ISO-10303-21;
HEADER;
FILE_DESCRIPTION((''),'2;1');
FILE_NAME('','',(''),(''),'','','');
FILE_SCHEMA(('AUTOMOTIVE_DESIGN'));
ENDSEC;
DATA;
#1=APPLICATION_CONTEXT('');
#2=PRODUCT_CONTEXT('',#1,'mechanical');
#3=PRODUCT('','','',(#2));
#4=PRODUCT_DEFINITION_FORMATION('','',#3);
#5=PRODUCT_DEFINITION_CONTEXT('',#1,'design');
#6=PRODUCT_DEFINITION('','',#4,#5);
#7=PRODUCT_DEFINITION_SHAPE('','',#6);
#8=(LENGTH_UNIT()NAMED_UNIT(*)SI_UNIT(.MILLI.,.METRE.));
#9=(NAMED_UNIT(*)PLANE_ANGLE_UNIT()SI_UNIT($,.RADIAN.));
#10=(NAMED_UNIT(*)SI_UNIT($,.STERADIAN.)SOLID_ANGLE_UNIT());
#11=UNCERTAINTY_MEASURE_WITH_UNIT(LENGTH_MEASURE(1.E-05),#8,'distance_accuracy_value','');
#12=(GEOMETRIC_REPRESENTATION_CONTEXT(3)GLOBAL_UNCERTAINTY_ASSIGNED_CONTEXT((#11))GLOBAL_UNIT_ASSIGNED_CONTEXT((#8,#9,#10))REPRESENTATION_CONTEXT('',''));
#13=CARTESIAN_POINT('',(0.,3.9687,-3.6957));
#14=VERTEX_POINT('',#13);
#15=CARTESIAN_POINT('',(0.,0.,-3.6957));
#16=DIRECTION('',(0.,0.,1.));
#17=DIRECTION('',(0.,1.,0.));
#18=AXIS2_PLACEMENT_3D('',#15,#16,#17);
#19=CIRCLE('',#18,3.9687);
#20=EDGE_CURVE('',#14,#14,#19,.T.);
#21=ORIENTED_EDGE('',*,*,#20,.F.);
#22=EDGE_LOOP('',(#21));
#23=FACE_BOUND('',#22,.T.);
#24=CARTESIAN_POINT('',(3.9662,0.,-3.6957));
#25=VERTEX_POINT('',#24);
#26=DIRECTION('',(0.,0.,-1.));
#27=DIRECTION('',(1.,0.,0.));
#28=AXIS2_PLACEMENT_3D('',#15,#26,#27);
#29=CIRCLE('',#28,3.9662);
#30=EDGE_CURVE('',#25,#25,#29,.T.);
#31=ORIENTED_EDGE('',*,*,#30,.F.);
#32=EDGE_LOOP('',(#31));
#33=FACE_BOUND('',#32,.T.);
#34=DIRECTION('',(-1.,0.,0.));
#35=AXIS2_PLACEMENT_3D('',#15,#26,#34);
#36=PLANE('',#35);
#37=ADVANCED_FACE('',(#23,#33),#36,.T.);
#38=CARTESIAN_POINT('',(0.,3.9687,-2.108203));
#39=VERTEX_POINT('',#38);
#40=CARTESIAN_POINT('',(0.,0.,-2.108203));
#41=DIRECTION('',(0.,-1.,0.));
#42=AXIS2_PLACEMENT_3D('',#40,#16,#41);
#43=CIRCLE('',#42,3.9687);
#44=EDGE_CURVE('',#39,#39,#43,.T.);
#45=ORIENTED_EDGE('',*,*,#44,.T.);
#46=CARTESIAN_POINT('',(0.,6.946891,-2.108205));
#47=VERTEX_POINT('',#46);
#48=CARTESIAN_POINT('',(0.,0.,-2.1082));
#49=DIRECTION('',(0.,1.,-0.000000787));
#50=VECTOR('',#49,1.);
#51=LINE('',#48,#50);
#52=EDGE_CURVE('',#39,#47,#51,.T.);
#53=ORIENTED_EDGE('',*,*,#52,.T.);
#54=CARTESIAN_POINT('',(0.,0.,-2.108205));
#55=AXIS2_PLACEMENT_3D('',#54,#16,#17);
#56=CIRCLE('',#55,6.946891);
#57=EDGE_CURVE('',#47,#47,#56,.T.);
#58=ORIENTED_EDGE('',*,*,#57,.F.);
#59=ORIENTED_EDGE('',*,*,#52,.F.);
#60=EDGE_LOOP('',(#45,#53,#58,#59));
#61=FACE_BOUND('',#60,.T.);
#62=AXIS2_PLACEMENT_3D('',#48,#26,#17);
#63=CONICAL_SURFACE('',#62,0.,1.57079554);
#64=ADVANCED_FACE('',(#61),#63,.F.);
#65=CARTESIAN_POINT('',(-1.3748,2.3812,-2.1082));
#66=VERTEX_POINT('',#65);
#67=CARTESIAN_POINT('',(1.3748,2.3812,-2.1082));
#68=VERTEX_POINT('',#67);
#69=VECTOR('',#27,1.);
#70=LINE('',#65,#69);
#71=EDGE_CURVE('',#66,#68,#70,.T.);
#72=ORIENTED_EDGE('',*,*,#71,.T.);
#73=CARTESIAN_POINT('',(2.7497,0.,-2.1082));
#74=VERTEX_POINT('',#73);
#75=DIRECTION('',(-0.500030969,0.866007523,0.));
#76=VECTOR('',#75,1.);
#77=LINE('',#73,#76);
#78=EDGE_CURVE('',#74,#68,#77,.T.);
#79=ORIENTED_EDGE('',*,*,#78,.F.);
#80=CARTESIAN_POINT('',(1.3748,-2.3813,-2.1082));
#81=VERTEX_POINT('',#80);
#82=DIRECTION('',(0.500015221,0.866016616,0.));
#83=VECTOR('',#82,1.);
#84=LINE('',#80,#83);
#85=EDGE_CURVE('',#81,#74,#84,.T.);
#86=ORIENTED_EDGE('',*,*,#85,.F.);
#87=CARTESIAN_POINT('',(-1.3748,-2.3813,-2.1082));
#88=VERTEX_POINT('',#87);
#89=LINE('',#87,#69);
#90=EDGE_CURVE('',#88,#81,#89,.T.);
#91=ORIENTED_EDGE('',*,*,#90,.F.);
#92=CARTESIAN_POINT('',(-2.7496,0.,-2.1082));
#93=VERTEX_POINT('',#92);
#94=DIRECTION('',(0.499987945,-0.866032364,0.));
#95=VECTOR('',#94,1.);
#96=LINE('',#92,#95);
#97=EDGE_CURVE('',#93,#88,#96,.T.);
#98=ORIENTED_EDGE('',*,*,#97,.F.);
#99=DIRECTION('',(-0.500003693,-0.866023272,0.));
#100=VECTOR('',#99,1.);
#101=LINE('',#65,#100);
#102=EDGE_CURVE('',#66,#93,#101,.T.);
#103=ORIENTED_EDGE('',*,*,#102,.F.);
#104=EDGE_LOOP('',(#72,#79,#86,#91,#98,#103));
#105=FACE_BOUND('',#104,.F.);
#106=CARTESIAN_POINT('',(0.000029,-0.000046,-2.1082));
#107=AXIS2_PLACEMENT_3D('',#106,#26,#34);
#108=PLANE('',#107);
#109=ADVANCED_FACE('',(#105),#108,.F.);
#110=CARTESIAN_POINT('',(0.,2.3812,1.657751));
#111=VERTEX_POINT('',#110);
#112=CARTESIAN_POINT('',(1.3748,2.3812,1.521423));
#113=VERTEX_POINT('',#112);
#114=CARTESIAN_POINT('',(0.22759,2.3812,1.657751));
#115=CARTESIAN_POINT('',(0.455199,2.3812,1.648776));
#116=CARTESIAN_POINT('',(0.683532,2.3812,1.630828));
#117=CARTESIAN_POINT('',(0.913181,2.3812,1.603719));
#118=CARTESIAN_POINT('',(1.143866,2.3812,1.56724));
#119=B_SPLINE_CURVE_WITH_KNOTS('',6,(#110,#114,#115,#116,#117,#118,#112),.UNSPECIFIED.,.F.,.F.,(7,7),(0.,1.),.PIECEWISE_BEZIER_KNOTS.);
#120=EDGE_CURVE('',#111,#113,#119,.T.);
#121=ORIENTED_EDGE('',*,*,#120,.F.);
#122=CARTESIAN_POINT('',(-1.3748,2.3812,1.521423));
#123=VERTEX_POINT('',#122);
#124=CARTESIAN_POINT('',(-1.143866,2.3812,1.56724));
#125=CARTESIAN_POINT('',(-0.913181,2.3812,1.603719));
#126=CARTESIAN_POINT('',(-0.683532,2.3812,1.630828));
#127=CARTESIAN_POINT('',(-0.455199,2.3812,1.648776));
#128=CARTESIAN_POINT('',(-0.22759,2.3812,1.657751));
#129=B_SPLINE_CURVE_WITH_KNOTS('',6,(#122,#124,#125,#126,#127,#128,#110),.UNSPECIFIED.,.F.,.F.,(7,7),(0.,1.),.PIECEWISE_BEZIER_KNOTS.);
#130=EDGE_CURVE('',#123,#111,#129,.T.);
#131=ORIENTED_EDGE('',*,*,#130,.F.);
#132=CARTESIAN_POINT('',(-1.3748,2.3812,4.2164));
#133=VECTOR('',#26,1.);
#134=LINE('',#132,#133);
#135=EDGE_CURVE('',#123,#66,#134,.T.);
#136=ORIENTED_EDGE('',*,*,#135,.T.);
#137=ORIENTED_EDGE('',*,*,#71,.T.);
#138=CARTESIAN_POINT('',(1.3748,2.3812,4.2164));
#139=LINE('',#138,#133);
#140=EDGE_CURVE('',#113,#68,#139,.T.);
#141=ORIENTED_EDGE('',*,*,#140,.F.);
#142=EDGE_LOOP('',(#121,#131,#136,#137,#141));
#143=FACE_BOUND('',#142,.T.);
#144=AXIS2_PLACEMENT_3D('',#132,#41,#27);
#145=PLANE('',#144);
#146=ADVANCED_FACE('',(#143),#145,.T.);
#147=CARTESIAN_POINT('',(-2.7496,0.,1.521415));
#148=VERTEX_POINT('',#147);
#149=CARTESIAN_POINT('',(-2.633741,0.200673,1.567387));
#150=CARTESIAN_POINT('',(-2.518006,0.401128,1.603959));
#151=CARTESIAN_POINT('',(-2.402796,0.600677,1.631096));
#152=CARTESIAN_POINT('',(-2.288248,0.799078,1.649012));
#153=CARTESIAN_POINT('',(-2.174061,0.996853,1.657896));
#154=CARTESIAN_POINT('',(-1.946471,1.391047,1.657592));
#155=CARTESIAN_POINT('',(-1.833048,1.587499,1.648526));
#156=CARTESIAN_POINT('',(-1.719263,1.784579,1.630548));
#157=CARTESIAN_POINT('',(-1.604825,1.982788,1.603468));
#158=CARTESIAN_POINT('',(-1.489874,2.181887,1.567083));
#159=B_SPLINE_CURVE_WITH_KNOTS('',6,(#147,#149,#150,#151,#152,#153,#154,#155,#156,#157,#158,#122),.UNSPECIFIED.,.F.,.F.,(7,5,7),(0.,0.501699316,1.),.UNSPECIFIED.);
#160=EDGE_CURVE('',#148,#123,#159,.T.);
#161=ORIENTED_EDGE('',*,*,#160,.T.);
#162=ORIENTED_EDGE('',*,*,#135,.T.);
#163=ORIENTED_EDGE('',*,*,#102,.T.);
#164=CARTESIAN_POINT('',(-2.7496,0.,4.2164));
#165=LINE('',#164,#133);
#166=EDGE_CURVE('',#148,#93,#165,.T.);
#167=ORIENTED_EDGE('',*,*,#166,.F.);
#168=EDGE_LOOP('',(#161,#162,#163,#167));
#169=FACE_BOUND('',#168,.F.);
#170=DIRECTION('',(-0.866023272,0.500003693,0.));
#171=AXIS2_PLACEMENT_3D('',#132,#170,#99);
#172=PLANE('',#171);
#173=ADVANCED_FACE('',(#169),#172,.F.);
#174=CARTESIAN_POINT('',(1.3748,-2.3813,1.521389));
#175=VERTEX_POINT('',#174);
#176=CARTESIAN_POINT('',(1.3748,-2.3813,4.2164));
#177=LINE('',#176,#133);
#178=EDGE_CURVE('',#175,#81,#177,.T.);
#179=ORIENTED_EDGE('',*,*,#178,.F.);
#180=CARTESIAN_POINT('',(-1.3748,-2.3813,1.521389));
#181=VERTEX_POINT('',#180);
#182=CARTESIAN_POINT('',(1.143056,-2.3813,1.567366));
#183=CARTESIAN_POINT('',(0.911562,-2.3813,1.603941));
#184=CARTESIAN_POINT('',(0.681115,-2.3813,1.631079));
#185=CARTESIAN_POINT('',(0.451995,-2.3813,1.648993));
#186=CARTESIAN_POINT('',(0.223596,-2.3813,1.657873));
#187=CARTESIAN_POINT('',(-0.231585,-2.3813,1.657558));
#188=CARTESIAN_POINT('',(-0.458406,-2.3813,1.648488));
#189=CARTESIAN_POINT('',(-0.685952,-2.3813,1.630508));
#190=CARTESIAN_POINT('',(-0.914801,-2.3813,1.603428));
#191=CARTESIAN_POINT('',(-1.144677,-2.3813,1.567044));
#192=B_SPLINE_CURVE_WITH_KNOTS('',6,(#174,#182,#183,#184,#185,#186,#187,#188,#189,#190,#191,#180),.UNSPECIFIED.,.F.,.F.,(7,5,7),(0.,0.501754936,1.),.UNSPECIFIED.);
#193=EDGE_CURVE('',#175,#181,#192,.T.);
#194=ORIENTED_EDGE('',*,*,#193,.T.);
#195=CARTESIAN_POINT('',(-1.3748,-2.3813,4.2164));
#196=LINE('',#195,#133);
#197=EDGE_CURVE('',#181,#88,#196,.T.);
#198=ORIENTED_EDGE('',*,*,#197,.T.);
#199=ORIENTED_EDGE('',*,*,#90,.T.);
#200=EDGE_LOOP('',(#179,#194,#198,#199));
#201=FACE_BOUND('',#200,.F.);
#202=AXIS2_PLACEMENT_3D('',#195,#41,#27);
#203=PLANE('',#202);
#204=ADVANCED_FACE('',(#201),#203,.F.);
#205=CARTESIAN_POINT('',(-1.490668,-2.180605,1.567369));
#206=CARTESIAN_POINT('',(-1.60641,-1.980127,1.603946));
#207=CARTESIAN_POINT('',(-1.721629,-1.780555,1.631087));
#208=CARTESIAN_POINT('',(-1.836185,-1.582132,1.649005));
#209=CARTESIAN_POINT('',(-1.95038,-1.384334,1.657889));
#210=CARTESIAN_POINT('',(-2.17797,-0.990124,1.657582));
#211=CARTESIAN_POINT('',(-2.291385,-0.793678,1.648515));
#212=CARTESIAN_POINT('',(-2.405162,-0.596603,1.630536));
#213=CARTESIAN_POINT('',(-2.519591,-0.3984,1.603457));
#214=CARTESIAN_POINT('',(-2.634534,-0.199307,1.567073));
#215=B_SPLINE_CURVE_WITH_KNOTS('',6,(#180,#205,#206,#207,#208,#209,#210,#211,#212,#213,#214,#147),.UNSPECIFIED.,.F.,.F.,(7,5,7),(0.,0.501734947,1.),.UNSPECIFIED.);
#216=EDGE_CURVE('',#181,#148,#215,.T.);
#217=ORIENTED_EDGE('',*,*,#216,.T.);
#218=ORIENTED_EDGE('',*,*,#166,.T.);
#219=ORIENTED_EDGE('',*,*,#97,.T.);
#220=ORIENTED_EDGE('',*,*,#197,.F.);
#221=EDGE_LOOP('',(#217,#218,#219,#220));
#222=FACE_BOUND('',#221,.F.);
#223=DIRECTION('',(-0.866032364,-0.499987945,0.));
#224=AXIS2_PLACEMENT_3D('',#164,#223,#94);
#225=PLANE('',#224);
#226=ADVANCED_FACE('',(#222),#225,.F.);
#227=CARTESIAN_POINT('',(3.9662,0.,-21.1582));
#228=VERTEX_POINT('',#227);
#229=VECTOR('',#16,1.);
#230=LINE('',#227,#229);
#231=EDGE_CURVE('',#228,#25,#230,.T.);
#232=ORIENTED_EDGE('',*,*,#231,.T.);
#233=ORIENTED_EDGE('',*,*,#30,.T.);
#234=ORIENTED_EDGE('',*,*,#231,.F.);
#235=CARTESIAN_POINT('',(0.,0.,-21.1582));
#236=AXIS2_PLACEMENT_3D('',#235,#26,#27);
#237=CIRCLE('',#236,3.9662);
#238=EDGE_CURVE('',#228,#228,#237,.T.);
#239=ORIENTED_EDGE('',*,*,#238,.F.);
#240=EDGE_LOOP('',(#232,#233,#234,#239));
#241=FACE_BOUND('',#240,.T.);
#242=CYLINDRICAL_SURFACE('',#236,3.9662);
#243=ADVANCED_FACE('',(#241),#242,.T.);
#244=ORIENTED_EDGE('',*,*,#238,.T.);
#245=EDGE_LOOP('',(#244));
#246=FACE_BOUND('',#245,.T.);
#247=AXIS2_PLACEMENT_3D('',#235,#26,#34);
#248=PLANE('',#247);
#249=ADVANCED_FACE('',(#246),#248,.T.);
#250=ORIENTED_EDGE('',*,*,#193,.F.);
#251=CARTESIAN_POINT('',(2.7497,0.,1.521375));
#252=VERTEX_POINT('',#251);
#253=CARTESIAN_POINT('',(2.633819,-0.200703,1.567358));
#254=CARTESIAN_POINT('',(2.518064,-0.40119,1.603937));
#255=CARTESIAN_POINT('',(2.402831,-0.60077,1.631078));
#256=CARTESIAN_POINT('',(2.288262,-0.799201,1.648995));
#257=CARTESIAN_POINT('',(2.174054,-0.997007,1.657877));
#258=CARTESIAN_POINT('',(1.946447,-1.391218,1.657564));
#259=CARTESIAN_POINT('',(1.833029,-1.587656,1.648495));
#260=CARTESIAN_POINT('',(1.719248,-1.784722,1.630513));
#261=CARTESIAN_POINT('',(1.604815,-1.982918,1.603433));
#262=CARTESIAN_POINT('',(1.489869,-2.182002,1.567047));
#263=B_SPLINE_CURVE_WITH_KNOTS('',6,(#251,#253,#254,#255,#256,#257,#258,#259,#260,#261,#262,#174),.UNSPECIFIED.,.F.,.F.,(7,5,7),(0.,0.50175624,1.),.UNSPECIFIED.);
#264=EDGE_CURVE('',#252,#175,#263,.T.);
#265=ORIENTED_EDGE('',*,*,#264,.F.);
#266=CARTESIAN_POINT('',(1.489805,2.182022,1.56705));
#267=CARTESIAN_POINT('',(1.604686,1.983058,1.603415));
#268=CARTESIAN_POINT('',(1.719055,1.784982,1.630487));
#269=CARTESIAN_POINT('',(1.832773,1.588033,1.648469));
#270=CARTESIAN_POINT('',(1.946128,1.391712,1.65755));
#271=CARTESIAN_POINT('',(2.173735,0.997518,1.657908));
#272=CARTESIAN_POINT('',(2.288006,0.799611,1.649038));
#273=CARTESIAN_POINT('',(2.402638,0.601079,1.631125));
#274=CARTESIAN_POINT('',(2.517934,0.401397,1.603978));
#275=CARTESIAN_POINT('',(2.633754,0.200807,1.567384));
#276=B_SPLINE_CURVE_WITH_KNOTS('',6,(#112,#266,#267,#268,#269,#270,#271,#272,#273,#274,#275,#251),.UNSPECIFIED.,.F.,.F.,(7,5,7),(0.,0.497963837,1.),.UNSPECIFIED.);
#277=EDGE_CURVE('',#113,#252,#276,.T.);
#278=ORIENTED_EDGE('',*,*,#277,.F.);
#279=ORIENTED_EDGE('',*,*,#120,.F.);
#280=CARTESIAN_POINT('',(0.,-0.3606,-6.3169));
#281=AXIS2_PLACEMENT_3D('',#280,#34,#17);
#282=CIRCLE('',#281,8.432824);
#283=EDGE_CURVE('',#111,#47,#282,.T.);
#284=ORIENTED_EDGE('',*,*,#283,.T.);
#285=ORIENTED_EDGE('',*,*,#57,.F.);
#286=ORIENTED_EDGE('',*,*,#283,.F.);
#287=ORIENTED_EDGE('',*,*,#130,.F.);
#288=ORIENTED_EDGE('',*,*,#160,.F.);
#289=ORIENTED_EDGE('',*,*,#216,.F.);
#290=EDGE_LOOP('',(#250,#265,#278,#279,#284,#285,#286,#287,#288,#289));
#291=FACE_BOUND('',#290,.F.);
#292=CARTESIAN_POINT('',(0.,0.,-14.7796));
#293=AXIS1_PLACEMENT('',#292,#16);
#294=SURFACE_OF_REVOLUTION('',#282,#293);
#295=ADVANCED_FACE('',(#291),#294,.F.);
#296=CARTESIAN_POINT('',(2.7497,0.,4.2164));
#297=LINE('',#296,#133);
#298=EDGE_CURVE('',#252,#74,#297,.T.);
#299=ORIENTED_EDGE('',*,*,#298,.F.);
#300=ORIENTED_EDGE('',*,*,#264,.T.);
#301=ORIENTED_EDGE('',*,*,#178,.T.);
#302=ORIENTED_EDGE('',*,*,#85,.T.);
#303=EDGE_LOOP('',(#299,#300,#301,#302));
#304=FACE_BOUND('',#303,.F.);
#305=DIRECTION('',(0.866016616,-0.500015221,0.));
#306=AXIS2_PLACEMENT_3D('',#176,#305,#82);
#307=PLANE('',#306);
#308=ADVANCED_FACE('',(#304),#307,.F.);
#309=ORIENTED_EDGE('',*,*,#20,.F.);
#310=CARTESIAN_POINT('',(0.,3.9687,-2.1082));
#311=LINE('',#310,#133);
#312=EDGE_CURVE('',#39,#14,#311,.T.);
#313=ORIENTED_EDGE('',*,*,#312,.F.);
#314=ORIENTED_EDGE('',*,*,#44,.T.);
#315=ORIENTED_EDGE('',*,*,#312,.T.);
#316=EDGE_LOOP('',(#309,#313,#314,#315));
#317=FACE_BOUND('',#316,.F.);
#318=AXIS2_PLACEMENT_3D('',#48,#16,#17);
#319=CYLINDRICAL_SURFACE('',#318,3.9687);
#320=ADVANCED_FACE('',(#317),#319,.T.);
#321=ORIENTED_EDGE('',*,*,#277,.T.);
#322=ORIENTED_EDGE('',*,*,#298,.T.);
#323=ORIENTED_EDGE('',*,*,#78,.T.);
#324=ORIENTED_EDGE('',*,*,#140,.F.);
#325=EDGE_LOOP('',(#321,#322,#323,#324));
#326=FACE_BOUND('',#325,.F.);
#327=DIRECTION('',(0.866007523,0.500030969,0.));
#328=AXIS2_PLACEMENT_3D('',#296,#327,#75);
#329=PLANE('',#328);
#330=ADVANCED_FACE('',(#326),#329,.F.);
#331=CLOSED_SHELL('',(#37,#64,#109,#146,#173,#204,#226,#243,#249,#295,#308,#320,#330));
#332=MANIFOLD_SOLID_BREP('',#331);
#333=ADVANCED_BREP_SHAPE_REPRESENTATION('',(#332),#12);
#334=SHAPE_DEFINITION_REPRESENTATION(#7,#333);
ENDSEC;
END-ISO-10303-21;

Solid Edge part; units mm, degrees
sketch "Sketch1" plane through (0, 0, 0) normal (1, 0, 0) x (0, 1, 0)
  line L0 (0, -2.1082) -> (0, 2.1082)
  arc A0 (0, 2.1082) -> (6.9469, -2.1082) centre (-0.3606, -6.3169) cw
  line L1 (0, -2.1082) -> (6.9469, -2.1082)
  dimension "D1" = 4.2164
  dimension "D2" = 8.4328
revolve "RevolvedProtrusion1" add sketch "Sketch1" angle 360 about axis through (0, 0, -14.7796) along (0, 0, 1)
sketch "Sketch2" plane through (0, 0, -2.1082) normal (0, 0, -1) x (0, 1, 0)
  circle A0 centre (0, 0) radius 3.9687
  dimension "D1" = 7.9375
extrude "Protrusion1" add sketch "Sketch2" along normal blind 19.05
sketch "Sketch3" plane through (0, 0, -21.1582) normal (0, 0, -1) x (1, 0, 0)
  circle A0 centre (0, 0) radius 3.9662
  dimension "D1" = 0.0025
extrude "Cutout1" cut sketch "Sketch3" against normal blind 17.4625 flip side to cut
sketch "Sketch4" plane through (-0.6032, 0.3606, 4.2164) normal (0, 0, 1) x (1, 0, 0)
  line L0 (-0.7716, 2.0206) -> (1.978, 2.0206)
  line L1 (3.3529, -0.3606) -> (1.978, 2.0206)
  line L2 (1.978, -2.7419) -> (3.3529, -0.3606)
  line L3 (-0.7716, -2.7419) -> (1.978, -2.7419)
  line L4 (-2.1464, -0.3606) -> (-0.7716, -2.7419)
  line L5 (-0.7716, 2.0206) -> (-2.1464, -0.3606)
extrude "ExtrudedCutout_11" cut sketch "Sketch4" against normal blind 6.3246
properties part number "117718"
